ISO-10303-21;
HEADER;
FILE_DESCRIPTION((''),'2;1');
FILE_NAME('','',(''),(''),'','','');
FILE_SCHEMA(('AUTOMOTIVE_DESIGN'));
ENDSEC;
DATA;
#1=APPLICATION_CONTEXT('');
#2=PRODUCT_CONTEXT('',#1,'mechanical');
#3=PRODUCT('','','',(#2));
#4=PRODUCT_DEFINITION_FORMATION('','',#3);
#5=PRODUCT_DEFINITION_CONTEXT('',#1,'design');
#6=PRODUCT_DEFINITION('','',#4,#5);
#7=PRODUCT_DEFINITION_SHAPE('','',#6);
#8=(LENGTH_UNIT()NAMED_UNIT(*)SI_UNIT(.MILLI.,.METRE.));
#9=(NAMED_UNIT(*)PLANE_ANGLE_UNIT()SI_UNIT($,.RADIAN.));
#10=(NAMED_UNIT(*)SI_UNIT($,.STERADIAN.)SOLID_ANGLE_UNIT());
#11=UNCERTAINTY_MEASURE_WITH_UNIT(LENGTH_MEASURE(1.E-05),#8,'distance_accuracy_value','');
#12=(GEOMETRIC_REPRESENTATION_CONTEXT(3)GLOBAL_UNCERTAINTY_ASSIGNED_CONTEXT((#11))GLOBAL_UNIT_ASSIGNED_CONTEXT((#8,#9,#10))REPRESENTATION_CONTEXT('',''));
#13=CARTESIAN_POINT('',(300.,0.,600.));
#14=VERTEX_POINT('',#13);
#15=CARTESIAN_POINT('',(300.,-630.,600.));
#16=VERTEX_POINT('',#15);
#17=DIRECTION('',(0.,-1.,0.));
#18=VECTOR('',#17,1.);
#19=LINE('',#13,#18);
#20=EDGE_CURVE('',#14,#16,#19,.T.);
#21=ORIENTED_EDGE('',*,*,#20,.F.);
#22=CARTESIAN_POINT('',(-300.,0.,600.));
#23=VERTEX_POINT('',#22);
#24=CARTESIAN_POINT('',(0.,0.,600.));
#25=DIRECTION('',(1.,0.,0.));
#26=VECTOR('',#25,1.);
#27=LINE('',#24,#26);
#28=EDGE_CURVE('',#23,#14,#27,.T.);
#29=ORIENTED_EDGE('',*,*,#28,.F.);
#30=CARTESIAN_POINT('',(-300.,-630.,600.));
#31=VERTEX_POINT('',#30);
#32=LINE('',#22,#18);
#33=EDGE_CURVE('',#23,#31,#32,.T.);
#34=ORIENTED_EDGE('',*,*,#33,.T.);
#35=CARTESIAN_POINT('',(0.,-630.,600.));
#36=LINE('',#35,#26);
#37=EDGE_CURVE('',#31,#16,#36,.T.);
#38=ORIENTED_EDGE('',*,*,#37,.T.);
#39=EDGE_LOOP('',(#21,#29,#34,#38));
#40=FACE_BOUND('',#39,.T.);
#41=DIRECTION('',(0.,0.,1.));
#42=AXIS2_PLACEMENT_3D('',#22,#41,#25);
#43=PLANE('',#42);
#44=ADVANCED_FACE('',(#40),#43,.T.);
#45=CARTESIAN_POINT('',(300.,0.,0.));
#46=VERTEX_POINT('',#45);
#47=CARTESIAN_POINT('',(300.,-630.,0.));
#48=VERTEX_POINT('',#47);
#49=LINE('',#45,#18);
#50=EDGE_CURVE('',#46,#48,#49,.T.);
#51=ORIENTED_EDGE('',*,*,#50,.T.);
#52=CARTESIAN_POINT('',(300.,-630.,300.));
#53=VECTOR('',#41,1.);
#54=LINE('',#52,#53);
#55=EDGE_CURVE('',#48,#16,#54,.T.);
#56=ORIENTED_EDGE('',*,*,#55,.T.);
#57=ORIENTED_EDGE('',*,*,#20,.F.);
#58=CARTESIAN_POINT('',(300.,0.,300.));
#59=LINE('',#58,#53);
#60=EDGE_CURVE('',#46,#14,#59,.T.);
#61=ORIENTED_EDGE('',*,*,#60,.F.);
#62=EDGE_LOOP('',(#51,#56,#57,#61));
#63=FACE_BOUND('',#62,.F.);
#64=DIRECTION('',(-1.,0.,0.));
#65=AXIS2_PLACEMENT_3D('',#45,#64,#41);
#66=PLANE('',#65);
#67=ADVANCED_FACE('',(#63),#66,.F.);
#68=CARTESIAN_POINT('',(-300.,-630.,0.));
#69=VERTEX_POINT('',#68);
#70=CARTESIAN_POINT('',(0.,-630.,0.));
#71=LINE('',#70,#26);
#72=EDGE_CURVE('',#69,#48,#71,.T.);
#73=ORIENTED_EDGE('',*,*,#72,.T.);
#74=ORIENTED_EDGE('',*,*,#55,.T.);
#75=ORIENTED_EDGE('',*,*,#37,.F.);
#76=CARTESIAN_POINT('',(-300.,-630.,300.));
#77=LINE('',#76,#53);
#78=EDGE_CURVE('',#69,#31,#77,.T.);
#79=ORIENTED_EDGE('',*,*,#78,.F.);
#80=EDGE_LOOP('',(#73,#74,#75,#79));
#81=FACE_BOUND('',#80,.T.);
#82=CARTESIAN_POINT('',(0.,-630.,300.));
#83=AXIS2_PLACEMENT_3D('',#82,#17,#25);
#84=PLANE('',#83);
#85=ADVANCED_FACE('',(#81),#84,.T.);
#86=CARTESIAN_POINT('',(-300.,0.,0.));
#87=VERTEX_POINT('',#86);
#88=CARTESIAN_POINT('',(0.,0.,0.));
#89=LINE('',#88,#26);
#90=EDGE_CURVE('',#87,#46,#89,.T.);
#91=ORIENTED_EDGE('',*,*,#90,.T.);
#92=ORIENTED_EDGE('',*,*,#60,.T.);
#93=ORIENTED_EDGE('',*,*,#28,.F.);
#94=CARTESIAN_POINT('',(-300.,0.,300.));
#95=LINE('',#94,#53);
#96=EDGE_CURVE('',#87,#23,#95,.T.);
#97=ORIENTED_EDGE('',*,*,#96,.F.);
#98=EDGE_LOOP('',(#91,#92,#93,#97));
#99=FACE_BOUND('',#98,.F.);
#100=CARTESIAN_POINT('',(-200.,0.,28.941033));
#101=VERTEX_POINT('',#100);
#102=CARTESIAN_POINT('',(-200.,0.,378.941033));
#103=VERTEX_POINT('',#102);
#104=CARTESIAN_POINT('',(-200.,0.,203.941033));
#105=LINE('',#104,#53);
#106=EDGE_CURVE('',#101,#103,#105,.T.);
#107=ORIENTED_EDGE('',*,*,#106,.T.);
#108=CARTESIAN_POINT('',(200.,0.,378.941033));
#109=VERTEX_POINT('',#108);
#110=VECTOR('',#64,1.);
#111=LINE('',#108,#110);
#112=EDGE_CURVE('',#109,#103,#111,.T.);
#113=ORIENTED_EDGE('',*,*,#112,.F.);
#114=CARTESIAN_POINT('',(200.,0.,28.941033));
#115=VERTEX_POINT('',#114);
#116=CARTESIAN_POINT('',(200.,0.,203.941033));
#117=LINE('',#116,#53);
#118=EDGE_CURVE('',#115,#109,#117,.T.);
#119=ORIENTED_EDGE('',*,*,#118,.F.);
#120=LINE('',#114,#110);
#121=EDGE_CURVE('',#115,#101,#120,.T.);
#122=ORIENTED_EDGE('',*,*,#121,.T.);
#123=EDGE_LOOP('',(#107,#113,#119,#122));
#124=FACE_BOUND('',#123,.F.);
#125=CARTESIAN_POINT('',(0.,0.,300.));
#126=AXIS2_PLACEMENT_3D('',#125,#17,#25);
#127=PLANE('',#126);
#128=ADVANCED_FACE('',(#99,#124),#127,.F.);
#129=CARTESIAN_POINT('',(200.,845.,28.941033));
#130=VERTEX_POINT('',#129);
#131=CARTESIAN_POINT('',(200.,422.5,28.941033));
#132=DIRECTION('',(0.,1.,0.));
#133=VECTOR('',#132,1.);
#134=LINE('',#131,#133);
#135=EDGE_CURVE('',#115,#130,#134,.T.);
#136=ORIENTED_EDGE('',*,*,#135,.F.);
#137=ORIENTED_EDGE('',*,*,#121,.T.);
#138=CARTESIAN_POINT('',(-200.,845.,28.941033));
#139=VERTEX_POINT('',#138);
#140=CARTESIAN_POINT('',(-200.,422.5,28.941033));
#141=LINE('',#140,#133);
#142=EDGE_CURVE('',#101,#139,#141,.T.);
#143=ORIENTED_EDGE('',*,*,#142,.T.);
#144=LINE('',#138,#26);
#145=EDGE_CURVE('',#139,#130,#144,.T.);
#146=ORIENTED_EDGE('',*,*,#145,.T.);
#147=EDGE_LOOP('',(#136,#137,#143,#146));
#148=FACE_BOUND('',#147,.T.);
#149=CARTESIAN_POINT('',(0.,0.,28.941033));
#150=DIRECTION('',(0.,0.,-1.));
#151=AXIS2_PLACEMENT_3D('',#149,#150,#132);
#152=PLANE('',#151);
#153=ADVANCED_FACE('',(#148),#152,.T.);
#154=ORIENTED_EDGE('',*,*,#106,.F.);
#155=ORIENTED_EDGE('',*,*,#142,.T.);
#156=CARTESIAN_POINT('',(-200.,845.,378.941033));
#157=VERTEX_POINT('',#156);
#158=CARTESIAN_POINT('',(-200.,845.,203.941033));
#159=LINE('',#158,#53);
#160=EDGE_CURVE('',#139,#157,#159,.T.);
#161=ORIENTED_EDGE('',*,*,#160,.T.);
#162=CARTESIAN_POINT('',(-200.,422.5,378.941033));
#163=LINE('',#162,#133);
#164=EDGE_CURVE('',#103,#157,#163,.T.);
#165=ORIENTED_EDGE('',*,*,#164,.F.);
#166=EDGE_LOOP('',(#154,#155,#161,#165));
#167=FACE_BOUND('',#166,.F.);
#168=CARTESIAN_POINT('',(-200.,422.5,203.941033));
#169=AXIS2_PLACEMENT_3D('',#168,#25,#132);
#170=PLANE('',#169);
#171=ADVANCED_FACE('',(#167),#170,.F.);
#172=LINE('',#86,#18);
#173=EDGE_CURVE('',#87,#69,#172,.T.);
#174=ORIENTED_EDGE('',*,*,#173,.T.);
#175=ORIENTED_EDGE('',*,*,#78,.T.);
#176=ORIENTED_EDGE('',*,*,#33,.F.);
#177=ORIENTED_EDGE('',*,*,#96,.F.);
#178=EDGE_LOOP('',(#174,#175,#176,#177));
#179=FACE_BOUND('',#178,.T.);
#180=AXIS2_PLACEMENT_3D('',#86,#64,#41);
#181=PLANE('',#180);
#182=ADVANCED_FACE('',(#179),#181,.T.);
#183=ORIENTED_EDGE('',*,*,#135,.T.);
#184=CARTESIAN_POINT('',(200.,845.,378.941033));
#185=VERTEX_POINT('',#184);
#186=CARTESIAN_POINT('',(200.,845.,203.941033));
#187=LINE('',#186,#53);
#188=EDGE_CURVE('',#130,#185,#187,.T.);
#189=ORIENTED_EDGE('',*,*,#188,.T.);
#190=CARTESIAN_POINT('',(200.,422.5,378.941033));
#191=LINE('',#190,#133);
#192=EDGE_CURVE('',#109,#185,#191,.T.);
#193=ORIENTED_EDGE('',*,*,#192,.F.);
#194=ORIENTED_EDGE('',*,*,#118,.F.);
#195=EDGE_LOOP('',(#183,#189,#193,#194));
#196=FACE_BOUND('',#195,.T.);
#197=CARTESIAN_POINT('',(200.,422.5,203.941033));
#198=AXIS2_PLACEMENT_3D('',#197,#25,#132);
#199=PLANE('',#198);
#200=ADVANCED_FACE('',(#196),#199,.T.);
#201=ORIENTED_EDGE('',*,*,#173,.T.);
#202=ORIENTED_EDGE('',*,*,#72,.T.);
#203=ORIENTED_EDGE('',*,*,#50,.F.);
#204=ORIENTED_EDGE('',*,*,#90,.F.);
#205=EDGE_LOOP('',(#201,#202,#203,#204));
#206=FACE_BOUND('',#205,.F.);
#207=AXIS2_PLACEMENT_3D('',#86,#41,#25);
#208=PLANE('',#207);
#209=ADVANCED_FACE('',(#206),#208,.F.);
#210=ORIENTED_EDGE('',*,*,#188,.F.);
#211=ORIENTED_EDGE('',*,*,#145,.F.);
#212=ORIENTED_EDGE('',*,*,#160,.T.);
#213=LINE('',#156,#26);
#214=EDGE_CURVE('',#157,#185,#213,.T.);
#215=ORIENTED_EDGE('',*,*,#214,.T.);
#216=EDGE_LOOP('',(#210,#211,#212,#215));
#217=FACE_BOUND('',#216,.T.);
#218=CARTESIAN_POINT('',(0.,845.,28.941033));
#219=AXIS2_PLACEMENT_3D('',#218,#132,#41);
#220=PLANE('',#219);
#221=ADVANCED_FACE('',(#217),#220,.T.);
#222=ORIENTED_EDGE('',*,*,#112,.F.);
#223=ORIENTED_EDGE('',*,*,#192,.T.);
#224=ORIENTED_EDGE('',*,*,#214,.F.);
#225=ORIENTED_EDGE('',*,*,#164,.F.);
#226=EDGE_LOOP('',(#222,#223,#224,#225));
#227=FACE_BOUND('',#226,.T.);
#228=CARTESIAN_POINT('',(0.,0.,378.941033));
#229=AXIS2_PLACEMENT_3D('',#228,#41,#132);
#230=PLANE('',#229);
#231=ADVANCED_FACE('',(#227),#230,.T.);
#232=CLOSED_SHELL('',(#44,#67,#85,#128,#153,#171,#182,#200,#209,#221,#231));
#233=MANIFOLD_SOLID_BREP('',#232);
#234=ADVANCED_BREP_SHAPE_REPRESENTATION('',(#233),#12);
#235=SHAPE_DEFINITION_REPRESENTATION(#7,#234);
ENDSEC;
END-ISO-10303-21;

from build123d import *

# Parameters (mm, degrees)
F0_W          = 600
F0_H          = 600
F1_DEPTH      = 630
F2_W          = 845
F2_H          = 350
F3_DEPTH      = 200
F3_DEPTH_BACK = 200


with BuildPart() as f1:
    # F0 (on Front) → F1 (new body)
    with BuildSketch(Plane.XZ):
        with Locations((0, 300)):
            Rectangle(F0_W, F0_H)
    extrude(amount=F1_DEPTH)

    # F2 (on Right) → F3 (join, two sides)
    with BuildSketch(Plane.YZ) as f3_sk:
        with Locations((422.5, 203.941033)):
            Rectangle(F2_W, F2_H)
    extrude(amount=F3_DEPTH)
    extrude(f3_sk.sketch, amount=-F3_DEPTH_BACK)


solid = f1.part
